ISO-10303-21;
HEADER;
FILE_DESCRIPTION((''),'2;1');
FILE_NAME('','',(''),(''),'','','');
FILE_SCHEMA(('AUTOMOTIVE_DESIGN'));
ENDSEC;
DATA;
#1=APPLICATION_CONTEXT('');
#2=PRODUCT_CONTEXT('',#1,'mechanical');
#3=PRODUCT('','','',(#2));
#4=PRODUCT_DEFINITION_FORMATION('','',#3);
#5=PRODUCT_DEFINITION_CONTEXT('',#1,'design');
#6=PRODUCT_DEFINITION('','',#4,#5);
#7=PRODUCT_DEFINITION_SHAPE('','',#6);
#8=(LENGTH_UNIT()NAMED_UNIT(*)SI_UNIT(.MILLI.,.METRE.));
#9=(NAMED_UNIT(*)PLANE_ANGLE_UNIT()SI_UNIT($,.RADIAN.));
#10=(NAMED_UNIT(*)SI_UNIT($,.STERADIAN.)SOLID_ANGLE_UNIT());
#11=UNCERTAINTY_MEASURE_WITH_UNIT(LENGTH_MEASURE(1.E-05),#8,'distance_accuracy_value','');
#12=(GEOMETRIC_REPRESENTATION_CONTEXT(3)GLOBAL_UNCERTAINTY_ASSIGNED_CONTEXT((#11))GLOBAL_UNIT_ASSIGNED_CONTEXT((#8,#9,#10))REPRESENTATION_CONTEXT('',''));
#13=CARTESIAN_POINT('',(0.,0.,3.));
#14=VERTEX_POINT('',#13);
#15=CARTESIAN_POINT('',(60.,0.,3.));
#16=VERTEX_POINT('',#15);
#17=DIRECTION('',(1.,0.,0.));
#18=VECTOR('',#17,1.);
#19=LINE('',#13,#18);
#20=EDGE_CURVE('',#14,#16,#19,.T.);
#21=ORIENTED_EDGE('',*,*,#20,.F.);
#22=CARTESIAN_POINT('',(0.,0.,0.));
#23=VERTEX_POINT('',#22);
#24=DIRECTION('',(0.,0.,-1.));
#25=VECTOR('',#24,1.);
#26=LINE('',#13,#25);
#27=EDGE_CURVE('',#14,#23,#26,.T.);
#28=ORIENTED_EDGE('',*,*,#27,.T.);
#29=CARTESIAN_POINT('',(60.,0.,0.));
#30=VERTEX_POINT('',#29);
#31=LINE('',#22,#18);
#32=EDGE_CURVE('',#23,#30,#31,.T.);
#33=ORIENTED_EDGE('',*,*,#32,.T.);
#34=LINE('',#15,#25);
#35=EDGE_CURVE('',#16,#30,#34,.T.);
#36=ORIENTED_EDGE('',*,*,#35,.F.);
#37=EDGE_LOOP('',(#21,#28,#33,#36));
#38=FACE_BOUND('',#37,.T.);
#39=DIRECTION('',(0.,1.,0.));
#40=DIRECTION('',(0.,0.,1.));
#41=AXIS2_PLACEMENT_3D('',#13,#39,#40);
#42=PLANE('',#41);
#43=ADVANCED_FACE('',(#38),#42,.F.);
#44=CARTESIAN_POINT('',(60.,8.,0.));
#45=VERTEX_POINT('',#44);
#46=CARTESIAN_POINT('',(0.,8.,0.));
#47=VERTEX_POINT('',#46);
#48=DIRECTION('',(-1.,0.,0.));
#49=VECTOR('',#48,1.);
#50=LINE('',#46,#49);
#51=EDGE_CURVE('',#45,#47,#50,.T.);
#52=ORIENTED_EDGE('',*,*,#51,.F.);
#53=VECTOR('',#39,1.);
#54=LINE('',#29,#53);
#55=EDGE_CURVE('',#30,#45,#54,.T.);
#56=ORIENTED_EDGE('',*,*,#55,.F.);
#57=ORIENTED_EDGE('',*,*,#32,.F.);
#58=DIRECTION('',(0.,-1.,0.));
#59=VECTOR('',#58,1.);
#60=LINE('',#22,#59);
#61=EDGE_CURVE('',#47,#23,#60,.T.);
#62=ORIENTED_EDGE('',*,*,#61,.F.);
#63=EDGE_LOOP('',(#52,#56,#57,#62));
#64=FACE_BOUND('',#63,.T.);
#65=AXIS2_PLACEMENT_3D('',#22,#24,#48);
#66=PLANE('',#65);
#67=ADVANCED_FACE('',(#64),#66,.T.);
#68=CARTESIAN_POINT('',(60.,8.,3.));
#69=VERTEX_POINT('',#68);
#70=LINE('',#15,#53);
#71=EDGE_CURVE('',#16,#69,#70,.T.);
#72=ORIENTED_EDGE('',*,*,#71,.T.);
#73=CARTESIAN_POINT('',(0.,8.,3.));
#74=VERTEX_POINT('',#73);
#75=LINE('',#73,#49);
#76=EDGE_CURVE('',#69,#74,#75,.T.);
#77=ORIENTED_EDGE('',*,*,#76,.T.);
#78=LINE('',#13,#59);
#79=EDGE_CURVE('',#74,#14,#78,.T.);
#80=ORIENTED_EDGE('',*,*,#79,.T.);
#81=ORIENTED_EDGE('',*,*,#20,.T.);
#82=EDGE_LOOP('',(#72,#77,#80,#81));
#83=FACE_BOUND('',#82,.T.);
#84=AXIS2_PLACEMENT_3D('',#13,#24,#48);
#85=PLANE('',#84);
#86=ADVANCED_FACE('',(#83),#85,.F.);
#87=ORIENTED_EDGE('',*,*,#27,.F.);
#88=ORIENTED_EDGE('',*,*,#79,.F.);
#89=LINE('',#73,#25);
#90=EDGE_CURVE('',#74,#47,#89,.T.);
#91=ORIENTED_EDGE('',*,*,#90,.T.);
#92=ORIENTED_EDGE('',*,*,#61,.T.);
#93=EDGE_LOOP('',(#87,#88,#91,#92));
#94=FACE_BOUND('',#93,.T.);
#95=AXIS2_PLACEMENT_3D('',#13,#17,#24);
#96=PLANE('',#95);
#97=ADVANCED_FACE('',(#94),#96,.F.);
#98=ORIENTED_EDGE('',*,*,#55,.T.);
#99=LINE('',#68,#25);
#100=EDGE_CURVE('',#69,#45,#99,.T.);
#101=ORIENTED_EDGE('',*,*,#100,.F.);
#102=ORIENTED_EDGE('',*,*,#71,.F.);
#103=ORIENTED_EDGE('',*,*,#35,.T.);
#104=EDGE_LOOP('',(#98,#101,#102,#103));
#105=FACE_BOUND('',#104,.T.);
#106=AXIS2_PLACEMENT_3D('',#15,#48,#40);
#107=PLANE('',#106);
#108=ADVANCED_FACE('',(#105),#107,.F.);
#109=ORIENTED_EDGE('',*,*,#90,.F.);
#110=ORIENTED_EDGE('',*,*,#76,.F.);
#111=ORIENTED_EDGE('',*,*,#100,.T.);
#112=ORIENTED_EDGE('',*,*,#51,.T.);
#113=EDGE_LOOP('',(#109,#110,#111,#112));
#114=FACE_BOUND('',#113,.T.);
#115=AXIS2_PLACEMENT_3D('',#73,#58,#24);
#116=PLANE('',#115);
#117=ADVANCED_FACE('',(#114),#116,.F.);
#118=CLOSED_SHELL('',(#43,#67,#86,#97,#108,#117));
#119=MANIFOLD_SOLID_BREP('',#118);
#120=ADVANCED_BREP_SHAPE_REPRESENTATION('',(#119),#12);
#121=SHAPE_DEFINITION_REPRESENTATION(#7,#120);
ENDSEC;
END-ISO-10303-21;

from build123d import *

# Parameters (mm, degrees)
CROQUIS1_W              = 60
CROQUIS1_H              = 8
SALIENTE_EXTRUIR1_DEPTH = 3


with BuildPart() as part:
    # Croquis1 → Saliente-Extruir1 (new body)
    with BuildSketch(Plane.XY):
        with Locations((30, 4)):
            Rectangle(CROQUIS1_W, CROQUIS1_H)
    extrude(amount=SALIENTE_EXTRUIR1_DEPTH)


solid = part.part
